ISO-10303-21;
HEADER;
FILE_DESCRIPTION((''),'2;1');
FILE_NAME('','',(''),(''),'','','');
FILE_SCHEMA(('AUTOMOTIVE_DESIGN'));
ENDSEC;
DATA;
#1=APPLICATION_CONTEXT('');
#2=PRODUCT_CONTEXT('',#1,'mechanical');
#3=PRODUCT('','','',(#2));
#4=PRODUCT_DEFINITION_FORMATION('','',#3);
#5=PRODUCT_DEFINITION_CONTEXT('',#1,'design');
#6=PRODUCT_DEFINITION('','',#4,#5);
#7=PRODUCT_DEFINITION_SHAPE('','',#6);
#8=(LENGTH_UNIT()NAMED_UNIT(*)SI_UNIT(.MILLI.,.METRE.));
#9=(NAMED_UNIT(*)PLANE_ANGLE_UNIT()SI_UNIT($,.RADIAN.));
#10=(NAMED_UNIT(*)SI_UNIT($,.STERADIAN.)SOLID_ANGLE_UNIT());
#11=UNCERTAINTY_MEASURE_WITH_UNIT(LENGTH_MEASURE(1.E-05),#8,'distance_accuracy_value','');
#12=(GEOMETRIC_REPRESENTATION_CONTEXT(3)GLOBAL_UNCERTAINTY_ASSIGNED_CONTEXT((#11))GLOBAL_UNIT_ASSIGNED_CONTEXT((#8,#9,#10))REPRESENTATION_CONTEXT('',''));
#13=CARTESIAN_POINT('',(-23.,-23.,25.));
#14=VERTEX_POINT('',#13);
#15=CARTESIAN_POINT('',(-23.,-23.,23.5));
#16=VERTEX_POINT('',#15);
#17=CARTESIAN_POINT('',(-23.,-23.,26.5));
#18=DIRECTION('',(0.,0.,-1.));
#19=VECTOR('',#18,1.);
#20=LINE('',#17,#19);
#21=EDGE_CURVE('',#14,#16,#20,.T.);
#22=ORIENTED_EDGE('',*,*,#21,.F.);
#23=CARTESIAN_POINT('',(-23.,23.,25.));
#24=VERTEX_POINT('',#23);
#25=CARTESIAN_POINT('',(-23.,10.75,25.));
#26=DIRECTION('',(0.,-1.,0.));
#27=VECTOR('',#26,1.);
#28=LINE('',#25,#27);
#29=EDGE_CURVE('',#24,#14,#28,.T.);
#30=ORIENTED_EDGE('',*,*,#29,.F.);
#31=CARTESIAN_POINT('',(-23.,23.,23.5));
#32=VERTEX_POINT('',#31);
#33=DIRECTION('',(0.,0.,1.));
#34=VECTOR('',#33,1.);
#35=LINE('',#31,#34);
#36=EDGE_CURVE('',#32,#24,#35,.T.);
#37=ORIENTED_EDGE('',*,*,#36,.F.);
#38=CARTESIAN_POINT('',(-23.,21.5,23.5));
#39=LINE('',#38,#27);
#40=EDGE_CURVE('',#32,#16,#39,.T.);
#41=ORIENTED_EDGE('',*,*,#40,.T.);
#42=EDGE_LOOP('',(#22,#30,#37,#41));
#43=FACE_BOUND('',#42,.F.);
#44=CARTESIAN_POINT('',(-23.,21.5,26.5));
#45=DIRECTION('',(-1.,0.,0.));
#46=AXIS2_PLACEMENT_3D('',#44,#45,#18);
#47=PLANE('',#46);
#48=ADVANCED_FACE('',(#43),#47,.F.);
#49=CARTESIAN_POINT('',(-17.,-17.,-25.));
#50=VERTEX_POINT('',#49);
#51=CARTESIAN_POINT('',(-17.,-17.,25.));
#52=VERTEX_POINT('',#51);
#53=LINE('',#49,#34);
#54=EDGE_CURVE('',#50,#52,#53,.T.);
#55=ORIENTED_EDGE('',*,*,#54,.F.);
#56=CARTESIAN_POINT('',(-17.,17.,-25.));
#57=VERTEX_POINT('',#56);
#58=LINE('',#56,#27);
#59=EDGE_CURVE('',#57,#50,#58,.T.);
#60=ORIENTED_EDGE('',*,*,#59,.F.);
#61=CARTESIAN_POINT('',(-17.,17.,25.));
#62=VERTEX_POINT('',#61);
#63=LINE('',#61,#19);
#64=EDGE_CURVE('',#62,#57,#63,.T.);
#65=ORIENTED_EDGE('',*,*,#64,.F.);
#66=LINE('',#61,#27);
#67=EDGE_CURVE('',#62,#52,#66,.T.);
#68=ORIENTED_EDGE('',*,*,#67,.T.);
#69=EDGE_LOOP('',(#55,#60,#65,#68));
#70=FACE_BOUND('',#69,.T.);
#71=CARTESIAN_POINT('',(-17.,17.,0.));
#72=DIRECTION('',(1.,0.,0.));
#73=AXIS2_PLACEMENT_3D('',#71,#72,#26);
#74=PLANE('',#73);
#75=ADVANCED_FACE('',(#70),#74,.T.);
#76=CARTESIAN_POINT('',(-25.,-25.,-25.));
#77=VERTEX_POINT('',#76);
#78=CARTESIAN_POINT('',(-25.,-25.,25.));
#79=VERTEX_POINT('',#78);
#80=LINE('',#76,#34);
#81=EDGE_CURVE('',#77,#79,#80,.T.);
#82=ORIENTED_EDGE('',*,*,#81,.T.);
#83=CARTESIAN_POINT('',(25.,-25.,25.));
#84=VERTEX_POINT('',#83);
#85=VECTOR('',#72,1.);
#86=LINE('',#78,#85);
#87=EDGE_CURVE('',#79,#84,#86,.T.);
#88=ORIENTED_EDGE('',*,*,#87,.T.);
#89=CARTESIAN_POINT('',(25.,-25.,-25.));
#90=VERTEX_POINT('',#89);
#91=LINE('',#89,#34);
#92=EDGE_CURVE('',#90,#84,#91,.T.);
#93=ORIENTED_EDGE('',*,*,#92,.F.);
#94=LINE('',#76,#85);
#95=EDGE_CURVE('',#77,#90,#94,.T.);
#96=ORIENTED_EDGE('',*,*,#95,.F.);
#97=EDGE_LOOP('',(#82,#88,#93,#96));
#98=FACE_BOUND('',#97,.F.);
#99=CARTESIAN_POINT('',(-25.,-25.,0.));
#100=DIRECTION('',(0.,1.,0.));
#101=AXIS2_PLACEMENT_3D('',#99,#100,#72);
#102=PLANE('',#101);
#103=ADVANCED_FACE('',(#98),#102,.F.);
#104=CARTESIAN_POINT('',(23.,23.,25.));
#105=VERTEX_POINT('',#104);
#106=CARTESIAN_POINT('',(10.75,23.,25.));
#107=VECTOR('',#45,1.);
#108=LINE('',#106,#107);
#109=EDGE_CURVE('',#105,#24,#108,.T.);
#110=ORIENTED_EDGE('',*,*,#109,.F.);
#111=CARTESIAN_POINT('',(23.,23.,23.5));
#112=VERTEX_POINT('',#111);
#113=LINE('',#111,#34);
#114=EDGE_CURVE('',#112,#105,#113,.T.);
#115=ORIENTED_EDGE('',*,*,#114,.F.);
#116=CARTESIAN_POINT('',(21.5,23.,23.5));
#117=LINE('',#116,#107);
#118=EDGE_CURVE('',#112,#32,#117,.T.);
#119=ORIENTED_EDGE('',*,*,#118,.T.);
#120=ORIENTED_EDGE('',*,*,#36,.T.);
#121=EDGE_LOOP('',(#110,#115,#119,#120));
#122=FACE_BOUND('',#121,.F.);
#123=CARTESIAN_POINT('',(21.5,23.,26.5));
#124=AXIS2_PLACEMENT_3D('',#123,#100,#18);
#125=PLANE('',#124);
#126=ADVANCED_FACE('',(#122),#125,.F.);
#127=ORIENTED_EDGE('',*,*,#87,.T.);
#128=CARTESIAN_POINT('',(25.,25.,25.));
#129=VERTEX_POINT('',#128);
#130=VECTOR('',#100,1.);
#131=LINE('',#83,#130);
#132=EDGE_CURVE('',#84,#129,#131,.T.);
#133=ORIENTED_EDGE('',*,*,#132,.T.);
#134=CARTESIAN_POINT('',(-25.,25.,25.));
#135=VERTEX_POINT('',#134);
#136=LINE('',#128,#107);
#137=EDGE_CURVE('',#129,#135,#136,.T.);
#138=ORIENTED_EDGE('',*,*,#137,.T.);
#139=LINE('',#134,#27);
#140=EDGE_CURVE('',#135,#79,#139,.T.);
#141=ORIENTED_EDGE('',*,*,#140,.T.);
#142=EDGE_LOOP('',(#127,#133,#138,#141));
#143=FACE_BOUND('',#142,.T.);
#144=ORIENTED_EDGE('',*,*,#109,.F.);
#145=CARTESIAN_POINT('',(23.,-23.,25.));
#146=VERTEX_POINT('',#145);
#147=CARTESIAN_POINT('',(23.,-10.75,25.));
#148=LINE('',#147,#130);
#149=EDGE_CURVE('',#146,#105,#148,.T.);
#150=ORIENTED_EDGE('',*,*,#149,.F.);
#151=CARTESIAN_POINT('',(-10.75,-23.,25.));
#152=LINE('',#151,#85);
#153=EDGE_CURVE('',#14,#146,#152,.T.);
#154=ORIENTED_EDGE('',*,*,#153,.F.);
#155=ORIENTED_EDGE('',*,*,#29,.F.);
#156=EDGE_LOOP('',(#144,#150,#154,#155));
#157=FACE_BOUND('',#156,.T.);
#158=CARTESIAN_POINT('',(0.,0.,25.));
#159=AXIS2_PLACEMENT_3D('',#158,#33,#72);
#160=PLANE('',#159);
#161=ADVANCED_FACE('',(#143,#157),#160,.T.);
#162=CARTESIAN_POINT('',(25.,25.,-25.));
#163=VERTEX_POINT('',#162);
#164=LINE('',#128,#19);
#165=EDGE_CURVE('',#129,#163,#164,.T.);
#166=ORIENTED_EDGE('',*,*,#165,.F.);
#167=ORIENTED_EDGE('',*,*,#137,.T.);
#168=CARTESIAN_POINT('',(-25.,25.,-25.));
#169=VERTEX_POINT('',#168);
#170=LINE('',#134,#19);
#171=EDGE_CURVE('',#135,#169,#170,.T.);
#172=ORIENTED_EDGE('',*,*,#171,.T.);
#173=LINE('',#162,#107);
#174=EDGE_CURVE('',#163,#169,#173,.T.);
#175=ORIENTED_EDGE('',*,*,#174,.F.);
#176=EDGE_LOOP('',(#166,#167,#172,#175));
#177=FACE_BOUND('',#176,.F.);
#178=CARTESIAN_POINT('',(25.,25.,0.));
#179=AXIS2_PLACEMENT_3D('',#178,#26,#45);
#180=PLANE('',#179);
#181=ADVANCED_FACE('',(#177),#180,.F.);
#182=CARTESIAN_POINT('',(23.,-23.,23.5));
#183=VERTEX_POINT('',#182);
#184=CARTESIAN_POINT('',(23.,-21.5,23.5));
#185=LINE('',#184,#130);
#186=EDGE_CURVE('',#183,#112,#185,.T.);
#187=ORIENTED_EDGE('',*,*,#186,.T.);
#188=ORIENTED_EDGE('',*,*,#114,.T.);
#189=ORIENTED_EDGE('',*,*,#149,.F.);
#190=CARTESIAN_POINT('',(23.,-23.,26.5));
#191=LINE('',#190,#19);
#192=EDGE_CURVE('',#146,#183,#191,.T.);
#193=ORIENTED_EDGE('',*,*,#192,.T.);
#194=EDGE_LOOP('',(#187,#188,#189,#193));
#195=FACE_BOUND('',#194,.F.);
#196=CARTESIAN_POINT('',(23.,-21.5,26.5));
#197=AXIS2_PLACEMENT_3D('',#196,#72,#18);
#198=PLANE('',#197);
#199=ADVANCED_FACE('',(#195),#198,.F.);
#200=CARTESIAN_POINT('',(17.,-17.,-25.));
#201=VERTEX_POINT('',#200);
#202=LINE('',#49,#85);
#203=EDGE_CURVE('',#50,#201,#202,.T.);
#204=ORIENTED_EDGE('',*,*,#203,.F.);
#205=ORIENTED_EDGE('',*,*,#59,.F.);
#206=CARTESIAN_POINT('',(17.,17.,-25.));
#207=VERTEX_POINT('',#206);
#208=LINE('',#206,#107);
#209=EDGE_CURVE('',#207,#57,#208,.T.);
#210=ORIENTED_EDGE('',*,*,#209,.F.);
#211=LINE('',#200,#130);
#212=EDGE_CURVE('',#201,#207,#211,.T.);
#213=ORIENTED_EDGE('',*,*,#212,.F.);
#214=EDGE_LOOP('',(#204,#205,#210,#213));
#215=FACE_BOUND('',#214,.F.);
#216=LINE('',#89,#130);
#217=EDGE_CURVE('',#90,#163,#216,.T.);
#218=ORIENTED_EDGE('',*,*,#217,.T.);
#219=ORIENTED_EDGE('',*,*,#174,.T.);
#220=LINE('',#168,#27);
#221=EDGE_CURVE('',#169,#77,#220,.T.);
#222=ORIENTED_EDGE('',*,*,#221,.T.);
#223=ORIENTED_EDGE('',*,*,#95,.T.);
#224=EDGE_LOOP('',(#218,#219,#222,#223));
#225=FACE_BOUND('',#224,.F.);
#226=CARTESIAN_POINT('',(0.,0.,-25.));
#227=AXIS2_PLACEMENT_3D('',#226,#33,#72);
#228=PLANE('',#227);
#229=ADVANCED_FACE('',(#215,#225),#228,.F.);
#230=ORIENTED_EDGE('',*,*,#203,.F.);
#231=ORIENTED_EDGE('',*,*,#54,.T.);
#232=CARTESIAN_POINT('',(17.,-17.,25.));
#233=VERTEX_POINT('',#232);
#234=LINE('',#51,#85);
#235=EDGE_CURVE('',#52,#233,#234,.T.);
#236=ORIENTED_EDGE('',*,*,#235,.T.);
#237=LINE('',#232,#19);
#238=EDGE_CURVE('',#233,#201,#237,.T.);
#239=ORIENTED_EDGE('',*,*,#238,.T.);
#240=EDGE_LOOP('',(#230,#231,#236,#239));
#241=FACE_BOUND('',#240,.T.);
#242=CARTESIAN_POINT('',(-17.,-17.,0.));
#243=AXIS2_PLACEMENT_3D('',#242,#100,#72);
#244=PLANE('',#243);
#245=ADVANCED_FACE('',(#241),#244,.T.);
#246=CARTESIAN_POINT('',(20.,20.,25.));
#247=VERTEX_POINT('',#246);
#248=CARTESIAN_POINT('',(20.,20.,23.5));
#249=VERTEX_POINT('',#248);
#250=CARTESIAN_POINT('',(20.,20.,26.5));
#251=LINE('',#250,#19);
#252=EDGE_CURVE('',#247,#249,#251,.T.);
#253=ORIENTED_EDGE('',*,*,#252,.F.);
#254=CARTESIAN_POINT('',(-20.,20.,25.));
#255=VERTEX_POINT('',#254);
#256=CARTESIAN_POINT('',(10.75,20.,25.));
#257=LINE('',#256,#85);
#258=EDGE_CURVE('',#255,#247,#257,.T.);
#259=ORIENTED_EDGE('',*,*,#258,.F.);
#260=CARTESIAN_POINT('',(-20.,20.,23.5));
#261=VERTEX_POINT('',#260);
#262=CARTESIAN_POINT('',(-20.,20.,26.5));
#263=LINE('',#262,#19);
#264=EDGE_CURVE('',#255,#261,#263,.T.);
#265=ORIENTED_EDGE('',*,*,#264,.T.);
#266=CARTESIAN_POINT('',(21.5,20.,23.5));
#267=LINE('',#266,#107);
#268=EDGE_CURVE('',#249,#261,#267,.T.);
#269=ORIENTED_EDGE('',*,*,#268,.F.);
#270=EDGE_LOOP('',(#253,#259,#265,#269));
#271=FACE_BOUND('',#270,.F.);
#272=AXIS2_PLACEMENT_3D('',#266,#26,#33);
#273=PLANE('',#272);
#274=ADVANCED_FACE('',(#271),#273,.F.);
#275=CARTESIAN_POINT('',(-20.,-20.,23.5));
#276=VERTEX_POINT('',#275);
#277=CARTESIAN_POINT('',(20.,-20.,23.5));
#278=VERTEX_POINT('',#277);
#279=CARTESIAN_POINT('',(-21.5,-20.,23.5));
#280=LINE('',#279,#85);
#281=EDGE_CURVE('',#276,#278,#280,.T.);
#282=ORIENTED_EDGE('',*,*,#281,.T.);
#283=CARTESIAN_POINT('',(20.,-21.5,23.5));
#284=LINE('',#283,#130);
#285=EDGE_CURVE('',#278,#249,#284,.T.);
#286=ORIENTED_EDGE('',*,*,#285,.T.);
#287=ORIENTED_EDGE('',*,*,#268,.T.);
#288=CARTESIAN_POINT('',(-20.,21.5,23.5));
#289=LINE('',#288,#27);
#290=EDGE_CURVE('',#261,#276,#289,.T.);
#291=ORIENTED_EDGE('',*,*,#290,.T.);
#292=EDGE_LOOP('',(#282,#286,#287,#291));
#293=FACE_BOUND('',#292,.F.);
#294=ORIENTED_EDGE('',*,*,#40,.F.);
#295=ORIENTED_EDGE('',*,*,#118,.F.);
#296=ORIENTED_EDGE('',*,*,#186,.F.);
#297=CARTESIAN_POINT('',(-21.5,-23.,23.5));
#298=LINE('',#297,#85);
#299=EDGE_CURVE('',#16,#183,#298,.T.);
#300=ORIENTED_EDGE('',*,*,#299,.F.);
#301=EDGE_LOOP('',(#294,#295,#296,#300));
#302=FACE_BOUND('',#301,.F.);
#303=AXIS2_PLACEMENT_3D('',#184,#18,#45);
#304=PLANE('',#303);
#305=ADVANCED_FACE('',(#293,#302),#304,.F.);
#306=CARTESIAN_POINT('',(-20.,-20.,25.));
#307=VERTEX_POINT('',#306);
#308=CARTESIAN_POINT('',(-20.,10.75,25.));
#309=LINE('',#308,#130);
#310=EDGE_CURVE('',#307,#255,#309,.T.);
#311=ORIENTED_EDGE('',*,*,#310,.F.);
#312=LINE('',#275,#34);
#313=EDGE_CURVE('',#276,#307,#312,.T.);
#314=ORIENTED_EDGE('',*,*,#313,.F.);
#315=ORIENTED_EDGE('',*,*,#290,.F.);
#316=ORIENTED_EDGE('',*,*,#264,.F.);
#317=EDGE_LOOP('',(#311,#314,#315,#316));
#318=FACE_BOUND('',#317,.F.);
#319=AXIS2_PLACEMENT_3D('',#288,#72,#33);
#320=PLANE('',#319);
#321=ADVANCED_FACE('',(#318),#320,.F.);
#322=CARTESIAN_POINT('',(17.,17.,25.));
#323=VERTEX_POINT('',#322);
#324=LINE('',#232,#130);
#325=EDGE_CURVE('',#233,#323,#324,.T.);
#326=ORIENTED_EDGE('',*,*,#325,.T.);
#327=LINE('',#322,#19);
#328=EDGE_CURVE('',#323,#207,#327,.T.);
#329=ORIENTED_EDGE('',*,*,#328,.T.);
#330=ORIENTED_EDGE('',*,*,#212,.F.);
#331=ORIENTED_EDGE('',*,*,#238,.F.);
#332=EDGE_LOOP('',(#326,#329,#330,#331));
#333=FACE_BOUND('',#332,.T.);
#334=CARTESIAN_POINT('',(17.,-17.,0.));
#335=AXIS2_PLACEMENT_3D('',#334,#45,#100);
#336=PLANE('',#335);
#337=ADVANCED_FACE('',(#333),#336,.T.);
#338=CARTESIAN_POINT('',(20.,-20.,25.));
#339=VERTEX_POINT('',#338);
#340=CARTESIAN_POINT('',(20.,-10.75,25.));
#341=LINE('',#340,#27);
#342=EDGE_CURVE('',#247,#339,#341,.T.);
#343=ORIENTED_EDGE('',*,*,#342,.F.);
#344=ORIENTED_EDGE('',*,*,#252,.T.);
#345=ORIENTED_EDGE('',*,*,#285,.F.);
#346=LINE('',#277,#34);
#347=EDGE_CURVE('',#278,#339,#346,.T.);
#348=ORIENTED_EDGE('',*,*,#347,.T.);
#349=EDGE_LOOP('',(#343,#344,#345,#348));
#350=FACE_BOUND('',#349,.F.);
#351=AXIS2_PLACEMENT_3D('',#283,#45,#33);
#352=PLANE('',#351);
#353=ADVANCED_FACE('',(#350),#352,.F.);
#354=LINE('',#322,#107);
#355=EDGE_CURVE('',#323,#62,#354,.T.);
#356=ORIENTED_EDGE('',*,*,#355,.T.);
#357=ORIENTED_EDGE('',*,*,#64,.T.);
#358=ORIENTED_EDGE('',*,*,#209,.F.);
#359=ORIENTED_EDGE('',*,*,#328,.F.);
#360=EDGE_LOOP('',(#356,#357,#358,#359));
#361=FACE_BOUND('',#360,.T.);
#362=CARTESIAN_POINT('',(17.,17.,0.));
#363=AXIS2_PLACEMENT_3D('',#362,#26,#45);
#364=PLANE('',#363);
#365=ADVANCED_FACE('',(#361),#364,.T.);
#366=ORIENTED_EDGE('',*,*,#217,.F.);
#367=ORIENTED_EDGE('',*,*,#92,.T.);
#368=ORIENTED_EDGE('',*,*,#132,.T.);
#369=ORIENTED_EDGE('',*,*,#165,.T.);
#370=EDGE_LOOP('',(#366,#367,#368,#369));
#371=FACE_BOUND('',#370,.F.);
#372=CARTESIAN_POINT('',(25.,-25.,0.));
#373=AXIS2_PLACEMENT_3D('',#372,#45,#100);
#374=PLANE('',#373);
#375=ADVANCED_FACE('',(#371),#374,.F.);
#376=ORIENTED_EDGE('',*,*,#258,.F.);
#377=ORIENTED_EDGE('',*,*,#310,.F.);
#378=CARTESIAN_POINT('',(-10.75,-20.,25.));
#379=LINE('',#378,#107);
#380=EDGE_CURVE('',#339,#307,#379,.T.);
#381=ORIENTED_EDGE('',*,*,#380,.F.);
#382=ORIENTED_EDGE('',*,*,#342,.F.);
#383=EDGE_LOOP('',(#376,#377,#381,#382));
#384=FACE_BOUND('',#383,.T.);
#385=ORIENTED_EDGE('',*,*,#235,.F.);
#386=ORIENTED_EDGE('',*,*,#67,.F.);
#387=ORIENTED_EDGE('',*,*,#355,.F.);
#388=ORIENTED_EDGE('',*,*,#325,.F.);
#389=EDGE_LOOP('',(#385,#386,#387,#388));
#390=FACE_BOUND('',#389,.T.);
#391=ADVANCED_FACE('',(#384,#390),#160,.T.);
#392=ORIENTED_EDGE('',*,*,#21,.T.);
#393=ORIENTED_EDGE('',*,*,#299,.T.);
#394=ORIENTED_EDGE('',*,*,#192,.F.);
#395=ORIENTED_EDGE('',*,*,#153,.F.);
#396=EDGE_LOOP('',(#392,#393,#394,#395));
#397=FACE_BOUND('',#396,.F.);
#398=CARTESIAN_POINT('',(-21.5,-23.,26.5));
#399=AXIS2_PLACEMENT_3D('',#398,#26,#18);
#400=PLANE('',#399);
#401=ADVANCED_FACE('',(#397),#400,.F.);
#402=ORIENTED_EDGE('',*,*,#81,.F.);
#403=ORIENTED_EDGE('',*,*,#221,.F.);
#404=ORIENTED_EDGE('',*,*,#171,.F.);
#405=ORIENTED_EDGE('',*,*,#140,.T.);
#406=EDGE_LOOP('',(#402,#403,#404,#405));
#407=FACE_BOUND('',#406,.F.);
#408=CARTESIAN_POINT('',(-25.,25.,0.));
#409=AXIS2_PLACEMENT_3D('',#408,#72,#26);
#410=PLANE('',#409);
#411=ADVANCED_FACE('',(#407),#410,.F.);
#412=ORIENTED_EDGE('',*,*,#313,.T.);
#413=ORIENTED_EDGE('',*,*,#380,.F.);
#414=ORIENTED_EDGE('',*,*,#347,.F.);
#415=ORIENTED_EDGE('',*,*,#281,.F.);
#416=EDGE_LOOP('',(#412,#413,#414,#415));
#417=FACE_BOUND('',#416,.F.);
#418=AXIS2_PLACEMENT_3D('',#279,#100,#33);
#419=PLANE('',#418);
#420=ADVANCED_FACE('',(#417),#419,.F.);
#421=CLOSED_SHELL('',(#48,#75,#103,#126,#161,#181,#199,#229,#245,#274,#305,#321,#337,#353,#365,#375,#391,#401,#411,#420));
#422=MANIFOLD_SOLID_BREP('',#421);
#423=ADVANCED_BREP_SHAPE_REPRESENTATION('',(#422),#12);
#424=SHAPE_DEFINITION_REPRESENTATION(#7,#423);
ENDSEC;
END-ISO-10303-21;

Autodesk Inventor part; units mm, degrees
ref_plane "YZ Plane" through (0, 0, 0) normal (1, 0, 0) x (0, 1, 0)
ref_plane "XZ Plane" through (0, 0, 0) normal (0, 1, 0) x (-1, 0, 0)
ref_plane "XY Plane" through (0, 0, 0) normal (0, 0, 1) x (1, 0, 0)
sketch "Esboço1" plane through (0, 0, 0) normal (0, 0, 1) x (1, 0, 0)
  line L0 (-25, -25) -> (25, -25)
  line L1 (25, -25) -> (25, 25)
  line L2 (25, 25) -> (-25, 25)
  line L3 (-25, 25) -> (-25, -25)
  line L4 (-25, -25) -> (25, 25) construction
  line L5 (25, -25) -> (-25, 25) construction
  line L6 (-17, -17) -> (17, -17)
  line L7 (17, -17) -> (17, 17)
  line L8 (17, 17) -> (-17, 17)
  line L9 (-17, 17) -> (-17, -17)
  line L10 (-17, -17) -> (17, 17) construction
  line L11 (17, -17) -> (-17, 17) construction
  point P0 (0, 0)
  dimension "d0" = 50
  dimension "d2" = 8
extrude "Extrusão1" add sketch "Esboço1" along normal mid plane 50
sketch "Esboço2" plane through (0, 0, 25) normal (0, 0, 1) x (1, 0, 0)
  line L0 (-21.5, -21.5) -> (21.5, -21.5)
  line L1 (21.5, -21.5) -> (21.5, 21.5)
  line L2 (21.5, 21.5) -> (-21.5, 21.5)
  line L3 (-21.5, 21.5) -> (-21.5, -21.5)
  line L4 (-21.5, -21.5) -> (21.5, 21.5) construction
  line L5 (21.5, -21.5) -> (-21.5, 21.5) construction
  line L6 (25, 25) -> (-25, 25) projected
  point P0 (0, 0)
  point P1 (0, 21.5)
  point P2 (0, -21.5)
  point P3 (-21.5, 0)
  point P4 (21.5, 0)
  dimension "d5" = 3.5
sketch "Esboço3" plane through (0, 0, 25) normal (0, 0, 1) x (1, 0, 0)
  point P0 (0, 0)
sketch "Esboço8" plane through (0, 0, 0) normal (0, 1, 0) x (-1, 0, 0)
  point P0 (0, 0)
sketch "Esboço9" plane through (0, 0, 0) normal (0, 1, 0) x (-1, 0, 0)
  line L0 (-23, 23.5) -> (-20, 23.5)
  line L1 (-20, 23.5) -> (-20, 26.5)
  line L2 (-20, 26.5) -> (-23, 26.5)
  line L3 (-23, 26.5) -> (-23, 23.5)
  line L4 (25, 25) -> (-25, 25) projected
  line L5 (-23, 23.5) -> (-20, 26.5) construction
  line L6 (-20, 23.5) -> (-23, 26.5) construction
  point P0 (0, 0)
  point P1 (-21.5, 25)
  dimension "d6" = 3
  dimension "d7" = 21.5
sweep "Varredura1" cut profiles "Esboço9" path "Esboço2" path curves L1 L0 L3 L2
equation "\"d3\" = d0"
properties part number "Sweep_0002_001" material "Nitreto de silício"
